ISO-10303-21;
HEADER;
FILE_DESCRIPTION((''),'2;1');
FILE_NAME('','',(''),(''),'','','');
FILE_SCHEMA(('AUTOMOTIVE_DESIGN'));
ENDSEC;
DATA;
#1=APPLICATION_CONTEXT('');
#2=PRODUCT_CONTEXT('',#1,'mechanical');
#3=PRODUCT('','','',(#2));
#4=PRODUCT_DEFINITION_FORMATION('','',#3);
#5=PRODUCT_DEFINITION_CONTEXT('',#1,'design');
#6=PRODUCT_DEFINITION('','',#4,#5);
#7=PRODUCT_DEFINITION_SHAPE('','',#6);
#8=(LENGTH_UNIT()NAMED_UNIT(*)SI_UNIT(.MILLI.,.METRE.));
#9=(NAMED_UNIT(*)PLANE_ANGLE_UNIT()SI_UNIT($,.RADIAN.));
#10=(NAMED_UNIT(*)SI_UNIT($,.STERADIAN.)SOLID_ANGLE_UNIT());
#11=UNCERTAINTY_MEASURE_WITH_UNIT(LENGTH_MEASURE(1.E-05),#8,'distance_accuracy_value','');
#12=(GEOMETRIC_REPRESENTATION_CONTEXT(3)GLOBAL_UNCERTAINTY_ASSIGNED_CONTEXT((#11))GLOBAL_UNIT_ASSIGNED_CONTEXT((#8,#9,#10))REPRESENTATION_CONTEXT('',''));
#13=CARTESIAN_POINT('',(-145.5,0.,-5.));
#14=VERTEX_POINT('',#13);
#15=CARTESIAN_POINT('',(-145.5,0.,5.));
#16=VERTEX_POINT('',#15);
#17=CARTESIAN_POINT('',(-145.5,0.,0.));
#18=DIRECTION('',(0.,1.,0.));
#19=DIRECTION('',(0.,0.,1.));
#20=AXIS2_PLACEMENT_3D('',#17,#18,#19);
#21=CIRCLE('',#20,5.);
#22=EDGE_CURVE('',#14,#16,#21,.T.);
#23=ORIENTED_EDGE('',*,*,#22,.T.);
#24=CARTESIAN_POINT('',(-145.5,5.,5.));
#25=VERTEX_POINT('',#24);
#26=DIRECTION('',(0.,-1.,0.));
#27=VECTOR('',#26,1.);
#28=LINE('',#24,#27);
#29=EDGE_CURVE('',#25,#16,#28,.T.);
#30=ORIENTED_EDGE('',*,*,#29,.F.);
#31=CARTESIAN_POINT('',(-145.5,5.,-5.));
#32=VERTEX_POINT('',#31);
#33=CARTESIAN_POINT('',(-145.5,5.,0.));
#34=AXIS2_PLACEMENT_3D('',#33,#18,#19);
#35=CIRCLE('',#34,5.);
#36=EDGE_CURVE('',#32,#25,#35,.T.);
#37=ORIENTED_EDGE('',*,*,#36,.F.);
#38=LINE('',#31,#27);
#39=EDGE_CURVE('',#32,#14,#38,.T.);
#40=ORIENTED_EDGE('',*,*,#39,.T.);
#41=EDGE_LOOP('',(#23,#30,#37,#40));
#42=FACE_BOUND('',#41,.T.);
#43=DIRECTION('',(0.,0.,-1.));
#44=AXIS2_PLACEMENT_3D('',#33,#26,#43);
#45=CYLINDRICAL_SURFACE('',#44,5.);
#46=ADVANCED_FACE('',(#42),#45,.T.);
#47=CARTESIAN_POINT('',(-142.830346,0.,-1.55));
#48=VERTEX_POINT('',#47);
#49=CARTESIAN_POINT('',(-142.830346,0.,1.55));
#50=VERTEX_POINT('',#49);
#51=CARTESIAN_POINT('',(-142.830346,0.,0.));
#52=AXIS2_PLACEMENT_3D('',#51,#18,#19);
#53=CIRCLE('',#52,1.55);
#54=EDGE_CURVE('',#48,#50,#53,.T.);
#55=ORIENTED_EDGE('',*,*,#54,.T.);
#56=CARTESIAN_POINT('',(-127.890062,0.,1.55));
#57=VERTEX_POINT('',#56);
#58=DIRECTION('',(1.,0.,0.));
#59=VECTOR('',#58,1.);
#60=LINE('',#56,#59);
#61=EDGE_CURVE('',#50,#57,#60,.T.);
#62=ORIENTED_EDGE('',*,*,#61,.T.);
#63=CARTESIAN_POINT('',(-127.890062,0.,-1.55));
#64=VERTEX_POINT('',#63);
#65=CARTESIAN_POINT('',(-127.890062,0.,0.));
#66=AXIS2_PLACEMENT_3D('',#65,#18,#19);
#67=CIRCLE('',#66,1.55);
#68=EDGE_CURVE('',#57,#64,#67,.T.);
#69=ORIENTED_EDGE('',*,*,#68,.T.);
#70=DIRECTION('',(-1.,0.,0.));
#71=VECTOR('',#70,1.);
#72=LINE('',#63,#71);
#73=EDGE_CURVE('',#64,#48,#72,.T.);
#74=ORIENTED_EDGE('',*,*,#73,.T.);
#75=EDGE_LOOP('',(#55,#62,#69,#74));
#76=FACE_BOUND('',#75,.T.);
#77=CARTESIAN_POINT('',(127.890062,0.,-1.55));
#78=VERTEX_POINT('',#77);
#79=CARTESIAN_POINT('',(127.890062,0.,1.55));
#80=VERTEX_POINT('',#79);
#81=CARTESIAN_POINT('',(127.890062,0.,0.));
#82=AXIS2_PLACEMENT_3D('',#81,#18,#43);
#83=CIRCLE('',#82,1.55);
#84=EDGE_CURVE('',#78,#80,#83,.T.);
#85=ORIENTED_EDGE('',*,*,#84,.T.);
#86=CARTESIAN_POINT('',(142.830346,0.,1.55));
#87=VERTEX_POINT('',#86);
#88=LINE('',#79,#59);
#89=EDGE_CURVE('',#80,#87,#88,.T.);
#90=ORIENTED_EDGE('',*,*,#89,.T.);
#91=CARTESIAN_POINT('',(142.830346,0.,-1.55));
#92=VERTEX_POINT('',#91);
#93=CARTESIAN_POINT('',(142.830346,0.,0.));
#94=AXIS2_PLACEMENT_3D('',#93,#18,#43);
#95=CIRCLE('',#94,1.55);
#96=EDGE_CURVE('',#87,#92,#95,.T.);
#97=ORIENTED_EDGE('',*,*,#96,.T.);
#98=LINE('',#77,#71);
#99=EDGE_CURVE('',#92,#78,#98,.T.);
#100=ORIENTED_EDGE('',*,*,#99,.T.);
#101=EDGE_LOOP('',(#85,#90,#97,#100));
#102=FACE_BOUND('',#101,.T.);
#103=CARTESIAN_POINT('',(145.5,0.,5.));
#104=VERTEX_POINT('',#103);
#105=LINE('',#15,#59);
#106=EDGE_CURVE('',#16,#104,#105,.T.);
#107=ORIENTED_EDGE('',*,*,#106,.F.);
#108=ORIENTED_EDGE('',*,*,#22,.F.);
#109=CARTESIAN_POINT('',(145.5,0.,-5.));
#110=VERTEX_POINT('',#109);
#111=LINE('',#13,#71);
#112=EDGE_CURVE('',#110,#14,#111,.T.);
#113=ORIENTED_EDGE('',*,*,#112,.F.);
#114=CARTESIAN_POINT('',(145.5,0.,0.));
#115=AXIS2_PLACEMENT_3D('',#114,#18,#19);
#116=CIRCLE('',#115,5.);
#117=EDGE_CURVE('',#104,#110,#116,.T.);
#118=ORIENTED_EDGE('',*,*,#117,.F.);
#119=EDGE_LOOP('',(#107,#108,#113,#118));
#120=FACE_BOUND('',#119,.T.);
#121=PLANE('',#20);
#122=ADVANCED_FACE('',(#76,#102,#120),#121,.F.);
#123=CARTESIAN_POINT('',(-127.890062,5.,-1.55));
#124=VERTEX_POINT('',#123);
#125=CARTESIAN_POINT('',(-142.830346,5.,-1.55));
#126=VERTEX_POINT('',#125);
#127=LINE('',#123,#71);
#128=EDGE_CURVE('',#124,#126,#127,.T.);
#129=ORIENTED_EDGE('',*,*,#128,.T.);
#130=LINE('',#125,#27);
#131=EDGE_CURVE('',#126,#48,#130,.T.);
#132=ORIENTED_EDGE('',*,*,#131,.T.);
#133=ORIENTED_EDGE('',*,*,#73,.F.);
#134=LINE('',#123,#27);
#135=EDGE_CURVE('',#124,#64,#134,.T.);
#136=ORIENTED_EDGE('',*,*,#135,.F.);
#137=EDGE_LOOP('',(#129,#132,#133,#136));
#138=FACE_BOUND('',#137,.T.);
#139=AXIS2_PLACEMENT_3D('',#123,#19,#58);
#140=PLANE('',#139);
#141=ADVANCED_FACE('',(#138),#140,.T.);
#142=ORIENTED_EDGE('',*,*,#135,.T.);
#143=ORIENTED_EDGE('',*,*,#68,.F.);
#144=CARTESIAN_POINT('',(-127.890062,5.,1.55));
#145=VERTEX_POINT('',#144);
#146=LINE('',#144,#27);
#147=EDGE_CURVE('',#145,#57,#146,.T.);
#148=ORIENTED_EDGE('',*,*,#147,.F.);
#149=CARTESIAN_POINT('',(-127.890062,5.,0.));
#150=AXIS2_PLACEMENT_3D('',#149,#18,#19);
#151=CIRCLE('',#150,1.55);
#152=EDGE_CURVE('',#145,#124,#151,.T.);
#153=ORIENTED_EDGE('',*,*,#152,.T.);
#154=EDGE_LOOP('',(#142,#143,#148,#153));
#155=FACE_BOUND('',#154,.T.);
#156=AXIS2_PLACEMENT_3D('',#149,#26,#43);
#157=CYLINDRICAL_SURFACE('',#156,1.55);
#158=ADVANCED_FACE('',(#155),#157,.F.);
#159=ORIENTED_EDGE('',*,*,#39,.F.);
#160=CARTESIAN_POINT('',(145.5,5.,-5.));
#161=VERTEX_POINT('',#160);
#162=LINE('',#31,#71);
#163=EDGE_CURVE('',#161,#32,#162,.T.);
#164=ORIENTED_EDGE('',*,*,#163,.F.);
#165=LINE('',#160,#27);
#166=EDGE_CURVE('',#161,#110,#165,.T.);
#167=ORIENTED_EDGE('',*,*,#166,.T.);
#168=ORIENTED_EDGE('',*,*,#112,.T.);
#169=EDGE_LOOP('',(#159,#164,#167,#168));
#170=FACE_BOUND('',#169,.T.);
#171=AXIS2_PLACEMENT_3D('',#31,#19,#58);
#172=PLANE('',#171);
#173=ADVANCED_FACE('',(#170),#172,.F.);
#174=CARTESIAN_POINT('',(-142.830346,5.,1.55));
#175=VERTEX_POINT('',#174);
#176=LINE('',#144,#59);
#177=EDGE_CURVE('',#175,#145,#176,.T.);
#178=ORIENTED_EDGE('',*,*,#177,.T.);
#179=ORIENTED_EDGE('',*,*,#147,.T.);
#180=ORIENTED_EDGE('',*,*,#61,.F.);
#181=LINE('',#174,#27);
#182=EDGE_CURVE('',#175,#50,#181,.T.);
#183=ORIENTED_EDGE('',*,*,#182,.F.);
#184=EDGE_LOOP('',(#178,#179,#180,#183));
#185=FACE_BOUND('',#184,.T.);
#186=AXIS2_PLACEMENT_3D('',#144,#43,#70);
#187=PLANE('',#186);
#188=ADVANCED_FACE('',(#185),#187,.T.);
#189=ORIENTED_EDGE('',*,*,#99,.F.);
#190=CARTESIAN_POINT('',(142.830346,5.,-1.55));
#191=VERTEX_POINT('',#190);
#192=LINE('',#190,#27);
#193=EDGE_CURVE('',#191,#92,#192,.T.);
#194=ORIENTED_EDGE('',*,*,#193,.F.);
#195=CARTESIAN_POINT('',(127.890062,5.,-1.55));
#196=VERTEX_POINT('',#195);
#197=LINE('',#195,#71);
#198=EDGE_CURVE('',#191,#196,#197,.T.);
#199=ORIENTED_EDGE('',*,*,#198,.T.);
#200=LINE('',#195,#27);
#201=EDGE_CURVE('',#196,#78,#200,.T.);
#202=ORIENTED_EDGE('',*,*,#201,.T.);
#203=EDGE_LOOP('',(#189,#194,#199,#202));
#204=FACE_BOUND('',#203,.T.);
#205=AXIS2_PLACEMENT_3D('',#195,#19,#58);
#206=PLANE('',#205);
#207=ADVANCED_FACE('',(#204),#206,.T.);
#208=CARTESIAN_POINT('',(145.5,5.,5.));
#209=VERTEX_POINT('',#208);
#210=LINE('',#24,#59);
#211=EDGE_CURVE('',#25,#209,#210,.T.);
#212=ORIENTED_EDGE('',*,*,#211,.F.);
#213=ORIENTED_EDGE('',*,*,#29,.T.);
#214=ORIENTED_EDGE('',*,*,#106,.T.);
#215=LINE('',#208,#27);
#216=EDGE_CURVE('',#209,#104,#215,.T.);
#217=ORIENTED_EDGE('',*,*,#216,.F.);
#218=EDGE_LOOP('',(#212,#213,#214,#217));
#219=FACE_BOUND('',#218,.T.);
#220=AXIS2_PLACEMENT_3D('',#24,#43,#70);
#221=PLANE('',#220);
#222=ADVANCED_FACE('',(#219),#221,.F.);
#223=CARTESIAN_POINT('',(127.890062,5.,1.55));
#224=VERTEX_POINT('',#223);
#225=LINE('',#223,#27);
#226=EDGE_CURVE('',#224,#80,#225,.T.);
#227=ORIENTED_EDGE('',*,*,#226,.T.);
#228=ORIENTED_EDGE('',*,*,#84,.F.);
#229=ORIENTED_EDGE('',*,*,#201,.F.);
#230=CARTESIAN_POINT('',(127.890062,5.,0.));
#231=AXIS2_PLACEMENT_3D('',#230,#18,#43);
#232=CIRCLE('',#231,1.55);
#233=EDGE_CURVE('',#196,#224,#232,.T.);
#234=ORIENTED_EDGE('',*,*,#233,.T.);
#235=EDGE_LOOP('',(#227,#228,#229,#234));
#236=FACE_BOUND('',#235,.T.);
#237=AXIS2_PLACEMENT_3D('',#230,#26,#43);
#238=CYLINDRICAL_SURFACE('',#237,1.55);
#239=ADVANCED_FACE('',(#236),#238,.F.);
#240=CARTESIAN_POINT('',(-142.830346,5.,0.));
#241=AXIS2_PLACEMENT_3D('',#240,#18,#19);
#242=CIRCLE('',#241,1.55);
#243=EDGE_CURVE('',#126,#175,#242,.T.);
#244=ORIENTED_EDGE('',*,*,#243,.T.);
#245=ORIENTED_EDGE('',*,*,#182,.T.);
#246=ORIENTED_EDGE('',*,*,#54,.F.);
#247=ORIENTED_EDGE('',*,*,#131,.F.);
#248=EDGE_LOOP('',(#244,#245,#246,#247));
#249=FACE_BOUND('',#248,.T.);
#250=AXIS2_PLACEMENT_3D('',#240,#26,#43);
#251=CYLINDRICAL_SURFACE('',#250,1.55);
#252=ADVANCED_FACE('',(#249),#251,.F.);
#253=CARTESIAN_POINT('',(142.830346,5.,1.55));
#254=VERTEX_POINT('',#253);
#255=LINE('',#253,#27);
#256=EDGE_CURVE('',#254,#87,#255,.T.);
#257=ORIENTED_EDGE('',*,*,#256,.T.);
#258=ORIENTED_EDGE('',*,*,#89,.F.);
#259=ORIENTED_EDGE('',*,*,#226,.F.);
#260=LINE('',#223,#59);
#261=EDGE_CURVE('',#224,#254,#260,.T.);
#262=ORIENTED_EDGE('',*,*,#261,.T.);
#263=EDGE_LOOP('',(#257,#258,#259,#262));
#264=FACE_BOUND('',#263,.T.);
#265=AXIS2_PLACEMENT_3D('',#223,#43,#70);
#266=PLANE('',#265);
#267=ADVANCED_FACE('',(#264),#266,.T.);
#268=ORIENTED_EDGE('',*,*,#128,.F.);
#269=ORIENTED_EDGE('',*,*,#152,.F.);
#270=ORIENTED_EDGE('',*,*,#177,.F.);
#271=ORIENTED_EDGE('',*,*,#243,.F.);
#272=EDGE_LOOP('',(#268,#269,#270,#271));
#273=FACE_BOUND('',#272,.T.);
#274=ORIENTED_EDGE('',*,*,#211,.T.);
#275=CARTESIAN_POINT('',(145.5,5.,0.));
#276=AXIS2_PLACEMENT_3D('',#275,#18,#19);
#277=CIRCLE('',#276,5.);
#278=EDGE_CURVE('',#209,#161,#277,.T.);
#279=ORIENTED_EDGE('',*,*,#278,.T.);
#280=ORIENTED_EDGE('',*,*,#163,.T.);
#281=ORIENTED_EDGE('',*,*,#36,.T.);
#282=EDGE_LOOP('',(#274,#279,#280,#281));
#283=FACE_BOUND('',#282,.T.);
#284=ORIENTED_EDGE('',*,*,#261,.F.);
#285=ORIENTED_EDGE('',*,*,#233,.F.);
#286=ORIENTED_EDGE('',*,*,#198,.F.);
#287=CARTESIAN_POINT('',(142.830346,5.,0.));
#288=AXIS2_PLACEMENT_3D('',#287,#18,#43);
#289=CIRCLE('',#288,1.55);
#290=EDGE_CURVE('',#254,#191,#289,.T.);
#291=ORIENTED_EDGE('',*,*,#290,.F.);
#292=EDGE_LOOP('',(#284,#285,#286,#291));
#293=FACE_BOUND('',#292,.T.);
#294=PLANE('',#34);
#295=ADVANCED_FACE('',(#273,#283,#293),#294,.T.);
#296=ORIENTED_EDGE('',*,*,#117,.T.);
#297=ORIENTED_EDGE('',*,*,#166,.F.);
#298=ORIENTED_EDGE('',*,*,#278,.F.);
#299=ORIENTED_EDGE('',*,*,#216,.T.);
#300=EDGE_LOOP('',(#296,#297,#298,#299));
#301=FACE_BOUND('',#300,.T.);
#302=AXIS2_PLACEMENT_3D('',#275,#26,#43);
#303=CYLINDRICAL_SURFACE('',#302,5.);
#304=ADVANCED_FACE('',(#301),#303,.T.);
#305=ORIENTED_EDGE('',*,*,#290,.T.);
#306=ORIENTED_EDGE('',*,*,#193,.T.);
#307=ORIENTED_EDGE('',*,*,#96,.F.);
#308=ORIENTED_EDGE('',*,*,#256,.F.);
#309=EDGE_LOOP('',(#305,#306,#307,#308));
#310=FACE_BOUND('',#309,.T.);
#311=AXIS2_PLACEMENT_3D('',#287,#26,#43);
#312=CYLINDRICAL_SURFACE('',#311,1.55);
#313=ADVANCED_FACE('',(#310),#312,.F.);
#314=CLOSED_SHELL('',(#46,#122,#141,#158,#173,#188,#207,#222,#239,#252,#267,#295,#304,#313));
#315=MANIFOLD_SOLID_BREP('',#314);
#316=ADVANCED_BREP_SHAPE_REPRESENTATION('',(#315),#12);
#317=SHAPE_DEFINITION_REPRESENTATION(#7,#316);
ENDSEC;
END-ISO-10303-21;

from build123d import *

# Parameters (mm, degrees)
EXTRUDE_1_DEPTH = 5


with BuildPart() as part:
    # 草圖1 → 填料-伸長1 (new body)
    with BuildSketch(Plane(origin=(0, 0, 0), x_dir=(1, 0, 0), z_dir=(0, 1, 0))):
        with BuildLine():
            Line((-145.5, 5), (145.5, 5))
            ThreePointArc((145.5, 5), (150.5, 0), (145.5, -5))
            Line((145.5, -5), (-145.5, -5))
            ThreePointArc((-145.5, -5), (-150.5, 0), (-145.5, 5))
        make_face()
        with BuildLine():
            Line((-127.890062181, -1.55), (-142.830345758, -1.55))
            ThreePointArc((-142.830345758, -1.55), (-144.380345758, 0), (-142.830345758, 1.55))
            Line((-142.830345758, 1.55), (-127.890062181, 1.55))
            ThreePointArc((-127.890062181, 1.55), (-126.340062181, 0), (-127.890062181, -1.55))
        make_face(mode=Mode.SUBTRACT)
        with BuildLine():
            Line((127.890062181, -1.55), (142.830345758, -1.55))
            ThreePointArc((142.830345758, -1.55), (144.380345758, 0), (142.830345758, 1.55))
            Line((142.830345758, 1.55), (127.890062181, 1.55))
            ThreePointArc((127.890062181, 1.55), (126.340062181, 0), (127.890062181, -1.55))
        make_face(mode=Mode.SUBTRACT)
    extrude(amount=EXTRUDE_1_DEPTH)


solid = part.part
